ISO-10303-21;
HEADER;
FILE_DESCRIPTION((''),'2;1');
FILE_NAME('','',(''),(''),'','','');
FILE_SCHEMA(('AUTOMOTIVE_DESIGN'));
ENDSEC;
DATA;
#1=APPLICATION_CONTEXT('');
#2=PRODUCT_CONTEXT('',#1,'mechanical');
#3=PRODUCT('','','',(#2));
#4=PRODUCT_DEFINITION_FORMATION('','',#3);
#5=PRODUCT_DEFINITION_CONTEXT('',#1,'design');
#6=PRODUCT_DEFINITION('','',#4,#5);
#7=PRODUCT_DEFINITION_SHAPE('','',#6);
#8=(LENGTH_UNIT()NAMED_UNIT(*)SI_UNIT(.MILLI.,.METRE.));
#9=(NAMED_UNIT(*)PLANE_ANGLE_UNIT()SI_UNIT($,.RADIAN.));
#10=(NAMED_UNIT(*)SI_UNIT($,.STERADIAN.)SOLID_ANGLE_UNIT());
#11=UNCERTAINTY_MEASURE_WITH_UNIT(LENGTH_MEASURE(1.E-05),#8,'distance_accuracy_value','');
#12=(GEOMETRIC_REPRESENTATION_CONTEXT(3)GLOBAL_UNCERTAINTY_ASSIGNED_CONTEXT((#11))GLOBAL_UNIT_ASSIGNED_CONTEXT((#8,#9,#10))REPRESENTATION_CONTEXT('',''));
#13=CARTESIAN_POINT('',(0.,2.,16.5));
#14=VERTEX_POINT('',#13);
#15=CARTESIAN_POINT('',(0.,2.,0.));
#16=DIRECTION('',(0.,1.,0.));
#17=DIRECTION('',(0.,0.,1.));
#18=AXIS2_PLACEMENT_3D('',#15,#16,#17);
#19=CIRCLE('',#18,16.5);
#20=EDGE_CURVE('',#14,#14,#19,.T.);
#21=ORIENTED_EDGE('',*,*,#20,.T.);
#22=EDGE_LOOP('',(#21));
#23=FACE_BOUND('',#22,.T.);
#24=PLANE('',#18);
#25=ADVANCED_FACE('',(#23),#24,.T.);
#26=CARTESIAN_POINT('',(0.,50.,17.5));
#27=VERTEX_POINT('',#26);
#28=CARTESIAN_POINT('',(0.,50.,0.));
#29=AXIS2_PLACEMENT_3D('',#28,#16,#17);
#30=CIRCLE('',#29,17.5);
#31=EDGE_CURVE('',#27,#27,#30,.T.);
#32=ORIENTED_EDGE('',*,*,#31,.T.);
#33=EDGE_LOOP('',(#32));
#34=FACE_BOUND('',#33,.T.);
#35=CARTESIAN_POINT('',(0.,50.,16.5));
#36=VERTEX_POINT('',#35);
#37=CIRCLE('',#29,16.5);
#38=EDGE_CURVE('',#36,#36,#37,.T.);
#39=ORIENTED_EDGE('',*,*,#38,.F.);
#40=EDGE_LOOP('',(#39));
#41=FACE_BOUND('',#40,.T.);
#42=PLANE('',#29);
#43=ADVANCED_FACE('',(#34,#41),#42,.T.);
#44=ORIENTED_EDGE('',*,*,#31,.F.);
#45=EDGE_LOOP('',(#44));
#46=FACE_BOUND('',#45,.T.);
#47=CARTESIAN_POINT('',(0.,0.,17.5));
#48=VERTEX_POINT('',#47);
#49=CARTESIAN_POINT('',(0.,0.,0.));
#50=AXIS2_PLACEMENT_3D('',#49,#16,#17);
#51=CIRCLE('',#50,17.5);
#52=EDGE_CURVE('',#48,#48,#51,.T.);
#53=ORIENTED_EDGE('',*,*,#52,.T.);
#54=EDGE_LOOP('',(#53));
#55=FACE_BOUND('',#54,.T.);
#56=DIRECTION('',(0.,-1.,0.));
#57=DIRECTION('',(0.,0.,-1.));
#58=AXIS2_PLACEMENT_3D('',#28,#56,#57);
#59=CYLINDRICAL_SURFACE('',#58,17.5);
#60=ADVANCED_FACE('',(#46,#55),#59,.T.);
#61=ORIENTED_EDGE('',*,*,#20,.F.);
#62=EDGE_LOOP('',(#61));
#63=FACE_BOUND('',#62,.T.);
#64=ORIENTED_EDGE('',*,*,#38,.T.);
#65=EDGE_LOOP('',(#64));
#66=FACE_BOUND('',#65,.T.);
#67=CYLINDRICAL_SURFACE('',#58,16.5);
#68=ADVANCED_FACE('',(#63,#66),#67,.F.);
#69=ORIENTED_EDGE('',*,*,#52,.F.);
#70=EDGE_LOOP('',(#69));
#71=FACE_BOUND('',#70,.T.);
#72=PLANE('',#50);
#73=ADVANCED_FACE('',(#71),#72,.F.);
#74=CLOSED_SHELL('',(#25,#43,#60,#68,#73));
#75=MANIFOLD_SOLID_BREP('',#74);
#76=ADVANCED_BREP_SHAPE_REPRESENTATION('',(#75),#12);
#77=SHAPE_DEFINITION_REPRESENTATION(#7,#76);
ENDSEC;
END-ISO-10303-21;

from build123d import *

# Parameters (mm, degrees)
SKETCH1_R           = 17.5
SKETCH1_R_2         = 16.5
BOSS_EXTRUDE1_DEPTH = 50
SKETCH1_2_R         = 17.5
BOSS_EXTRUDE2_DEPTH = 2


with BuildPart() as part:
    # Sketch1 → Boss-Extrude1 (new body)
    with BuildSketch(Plane(origin=(0, 0, 0), x_dir=(1, 0, 0), z_dir=(0, 1, 0))):
        Circle(SKETCH1_R)
        Circle(SKETCH1_R_2, mode=Mode.SUBTRACT)
    extrude(amount=BOSS_EXTRUDE1_DEPTH)

    # Sketch1<2> → Boss-Extrude2 (add)
    with BuildSketch(Plane(origin=(0, 0, 0), x_dir=(1, 0, 0), z_dir=(0, 1, 0))):
        Circle(SKETCH1_2_R)
    extrude(amount=BOSS_EXTRUDE2_DEPTH)


solid = part.part
